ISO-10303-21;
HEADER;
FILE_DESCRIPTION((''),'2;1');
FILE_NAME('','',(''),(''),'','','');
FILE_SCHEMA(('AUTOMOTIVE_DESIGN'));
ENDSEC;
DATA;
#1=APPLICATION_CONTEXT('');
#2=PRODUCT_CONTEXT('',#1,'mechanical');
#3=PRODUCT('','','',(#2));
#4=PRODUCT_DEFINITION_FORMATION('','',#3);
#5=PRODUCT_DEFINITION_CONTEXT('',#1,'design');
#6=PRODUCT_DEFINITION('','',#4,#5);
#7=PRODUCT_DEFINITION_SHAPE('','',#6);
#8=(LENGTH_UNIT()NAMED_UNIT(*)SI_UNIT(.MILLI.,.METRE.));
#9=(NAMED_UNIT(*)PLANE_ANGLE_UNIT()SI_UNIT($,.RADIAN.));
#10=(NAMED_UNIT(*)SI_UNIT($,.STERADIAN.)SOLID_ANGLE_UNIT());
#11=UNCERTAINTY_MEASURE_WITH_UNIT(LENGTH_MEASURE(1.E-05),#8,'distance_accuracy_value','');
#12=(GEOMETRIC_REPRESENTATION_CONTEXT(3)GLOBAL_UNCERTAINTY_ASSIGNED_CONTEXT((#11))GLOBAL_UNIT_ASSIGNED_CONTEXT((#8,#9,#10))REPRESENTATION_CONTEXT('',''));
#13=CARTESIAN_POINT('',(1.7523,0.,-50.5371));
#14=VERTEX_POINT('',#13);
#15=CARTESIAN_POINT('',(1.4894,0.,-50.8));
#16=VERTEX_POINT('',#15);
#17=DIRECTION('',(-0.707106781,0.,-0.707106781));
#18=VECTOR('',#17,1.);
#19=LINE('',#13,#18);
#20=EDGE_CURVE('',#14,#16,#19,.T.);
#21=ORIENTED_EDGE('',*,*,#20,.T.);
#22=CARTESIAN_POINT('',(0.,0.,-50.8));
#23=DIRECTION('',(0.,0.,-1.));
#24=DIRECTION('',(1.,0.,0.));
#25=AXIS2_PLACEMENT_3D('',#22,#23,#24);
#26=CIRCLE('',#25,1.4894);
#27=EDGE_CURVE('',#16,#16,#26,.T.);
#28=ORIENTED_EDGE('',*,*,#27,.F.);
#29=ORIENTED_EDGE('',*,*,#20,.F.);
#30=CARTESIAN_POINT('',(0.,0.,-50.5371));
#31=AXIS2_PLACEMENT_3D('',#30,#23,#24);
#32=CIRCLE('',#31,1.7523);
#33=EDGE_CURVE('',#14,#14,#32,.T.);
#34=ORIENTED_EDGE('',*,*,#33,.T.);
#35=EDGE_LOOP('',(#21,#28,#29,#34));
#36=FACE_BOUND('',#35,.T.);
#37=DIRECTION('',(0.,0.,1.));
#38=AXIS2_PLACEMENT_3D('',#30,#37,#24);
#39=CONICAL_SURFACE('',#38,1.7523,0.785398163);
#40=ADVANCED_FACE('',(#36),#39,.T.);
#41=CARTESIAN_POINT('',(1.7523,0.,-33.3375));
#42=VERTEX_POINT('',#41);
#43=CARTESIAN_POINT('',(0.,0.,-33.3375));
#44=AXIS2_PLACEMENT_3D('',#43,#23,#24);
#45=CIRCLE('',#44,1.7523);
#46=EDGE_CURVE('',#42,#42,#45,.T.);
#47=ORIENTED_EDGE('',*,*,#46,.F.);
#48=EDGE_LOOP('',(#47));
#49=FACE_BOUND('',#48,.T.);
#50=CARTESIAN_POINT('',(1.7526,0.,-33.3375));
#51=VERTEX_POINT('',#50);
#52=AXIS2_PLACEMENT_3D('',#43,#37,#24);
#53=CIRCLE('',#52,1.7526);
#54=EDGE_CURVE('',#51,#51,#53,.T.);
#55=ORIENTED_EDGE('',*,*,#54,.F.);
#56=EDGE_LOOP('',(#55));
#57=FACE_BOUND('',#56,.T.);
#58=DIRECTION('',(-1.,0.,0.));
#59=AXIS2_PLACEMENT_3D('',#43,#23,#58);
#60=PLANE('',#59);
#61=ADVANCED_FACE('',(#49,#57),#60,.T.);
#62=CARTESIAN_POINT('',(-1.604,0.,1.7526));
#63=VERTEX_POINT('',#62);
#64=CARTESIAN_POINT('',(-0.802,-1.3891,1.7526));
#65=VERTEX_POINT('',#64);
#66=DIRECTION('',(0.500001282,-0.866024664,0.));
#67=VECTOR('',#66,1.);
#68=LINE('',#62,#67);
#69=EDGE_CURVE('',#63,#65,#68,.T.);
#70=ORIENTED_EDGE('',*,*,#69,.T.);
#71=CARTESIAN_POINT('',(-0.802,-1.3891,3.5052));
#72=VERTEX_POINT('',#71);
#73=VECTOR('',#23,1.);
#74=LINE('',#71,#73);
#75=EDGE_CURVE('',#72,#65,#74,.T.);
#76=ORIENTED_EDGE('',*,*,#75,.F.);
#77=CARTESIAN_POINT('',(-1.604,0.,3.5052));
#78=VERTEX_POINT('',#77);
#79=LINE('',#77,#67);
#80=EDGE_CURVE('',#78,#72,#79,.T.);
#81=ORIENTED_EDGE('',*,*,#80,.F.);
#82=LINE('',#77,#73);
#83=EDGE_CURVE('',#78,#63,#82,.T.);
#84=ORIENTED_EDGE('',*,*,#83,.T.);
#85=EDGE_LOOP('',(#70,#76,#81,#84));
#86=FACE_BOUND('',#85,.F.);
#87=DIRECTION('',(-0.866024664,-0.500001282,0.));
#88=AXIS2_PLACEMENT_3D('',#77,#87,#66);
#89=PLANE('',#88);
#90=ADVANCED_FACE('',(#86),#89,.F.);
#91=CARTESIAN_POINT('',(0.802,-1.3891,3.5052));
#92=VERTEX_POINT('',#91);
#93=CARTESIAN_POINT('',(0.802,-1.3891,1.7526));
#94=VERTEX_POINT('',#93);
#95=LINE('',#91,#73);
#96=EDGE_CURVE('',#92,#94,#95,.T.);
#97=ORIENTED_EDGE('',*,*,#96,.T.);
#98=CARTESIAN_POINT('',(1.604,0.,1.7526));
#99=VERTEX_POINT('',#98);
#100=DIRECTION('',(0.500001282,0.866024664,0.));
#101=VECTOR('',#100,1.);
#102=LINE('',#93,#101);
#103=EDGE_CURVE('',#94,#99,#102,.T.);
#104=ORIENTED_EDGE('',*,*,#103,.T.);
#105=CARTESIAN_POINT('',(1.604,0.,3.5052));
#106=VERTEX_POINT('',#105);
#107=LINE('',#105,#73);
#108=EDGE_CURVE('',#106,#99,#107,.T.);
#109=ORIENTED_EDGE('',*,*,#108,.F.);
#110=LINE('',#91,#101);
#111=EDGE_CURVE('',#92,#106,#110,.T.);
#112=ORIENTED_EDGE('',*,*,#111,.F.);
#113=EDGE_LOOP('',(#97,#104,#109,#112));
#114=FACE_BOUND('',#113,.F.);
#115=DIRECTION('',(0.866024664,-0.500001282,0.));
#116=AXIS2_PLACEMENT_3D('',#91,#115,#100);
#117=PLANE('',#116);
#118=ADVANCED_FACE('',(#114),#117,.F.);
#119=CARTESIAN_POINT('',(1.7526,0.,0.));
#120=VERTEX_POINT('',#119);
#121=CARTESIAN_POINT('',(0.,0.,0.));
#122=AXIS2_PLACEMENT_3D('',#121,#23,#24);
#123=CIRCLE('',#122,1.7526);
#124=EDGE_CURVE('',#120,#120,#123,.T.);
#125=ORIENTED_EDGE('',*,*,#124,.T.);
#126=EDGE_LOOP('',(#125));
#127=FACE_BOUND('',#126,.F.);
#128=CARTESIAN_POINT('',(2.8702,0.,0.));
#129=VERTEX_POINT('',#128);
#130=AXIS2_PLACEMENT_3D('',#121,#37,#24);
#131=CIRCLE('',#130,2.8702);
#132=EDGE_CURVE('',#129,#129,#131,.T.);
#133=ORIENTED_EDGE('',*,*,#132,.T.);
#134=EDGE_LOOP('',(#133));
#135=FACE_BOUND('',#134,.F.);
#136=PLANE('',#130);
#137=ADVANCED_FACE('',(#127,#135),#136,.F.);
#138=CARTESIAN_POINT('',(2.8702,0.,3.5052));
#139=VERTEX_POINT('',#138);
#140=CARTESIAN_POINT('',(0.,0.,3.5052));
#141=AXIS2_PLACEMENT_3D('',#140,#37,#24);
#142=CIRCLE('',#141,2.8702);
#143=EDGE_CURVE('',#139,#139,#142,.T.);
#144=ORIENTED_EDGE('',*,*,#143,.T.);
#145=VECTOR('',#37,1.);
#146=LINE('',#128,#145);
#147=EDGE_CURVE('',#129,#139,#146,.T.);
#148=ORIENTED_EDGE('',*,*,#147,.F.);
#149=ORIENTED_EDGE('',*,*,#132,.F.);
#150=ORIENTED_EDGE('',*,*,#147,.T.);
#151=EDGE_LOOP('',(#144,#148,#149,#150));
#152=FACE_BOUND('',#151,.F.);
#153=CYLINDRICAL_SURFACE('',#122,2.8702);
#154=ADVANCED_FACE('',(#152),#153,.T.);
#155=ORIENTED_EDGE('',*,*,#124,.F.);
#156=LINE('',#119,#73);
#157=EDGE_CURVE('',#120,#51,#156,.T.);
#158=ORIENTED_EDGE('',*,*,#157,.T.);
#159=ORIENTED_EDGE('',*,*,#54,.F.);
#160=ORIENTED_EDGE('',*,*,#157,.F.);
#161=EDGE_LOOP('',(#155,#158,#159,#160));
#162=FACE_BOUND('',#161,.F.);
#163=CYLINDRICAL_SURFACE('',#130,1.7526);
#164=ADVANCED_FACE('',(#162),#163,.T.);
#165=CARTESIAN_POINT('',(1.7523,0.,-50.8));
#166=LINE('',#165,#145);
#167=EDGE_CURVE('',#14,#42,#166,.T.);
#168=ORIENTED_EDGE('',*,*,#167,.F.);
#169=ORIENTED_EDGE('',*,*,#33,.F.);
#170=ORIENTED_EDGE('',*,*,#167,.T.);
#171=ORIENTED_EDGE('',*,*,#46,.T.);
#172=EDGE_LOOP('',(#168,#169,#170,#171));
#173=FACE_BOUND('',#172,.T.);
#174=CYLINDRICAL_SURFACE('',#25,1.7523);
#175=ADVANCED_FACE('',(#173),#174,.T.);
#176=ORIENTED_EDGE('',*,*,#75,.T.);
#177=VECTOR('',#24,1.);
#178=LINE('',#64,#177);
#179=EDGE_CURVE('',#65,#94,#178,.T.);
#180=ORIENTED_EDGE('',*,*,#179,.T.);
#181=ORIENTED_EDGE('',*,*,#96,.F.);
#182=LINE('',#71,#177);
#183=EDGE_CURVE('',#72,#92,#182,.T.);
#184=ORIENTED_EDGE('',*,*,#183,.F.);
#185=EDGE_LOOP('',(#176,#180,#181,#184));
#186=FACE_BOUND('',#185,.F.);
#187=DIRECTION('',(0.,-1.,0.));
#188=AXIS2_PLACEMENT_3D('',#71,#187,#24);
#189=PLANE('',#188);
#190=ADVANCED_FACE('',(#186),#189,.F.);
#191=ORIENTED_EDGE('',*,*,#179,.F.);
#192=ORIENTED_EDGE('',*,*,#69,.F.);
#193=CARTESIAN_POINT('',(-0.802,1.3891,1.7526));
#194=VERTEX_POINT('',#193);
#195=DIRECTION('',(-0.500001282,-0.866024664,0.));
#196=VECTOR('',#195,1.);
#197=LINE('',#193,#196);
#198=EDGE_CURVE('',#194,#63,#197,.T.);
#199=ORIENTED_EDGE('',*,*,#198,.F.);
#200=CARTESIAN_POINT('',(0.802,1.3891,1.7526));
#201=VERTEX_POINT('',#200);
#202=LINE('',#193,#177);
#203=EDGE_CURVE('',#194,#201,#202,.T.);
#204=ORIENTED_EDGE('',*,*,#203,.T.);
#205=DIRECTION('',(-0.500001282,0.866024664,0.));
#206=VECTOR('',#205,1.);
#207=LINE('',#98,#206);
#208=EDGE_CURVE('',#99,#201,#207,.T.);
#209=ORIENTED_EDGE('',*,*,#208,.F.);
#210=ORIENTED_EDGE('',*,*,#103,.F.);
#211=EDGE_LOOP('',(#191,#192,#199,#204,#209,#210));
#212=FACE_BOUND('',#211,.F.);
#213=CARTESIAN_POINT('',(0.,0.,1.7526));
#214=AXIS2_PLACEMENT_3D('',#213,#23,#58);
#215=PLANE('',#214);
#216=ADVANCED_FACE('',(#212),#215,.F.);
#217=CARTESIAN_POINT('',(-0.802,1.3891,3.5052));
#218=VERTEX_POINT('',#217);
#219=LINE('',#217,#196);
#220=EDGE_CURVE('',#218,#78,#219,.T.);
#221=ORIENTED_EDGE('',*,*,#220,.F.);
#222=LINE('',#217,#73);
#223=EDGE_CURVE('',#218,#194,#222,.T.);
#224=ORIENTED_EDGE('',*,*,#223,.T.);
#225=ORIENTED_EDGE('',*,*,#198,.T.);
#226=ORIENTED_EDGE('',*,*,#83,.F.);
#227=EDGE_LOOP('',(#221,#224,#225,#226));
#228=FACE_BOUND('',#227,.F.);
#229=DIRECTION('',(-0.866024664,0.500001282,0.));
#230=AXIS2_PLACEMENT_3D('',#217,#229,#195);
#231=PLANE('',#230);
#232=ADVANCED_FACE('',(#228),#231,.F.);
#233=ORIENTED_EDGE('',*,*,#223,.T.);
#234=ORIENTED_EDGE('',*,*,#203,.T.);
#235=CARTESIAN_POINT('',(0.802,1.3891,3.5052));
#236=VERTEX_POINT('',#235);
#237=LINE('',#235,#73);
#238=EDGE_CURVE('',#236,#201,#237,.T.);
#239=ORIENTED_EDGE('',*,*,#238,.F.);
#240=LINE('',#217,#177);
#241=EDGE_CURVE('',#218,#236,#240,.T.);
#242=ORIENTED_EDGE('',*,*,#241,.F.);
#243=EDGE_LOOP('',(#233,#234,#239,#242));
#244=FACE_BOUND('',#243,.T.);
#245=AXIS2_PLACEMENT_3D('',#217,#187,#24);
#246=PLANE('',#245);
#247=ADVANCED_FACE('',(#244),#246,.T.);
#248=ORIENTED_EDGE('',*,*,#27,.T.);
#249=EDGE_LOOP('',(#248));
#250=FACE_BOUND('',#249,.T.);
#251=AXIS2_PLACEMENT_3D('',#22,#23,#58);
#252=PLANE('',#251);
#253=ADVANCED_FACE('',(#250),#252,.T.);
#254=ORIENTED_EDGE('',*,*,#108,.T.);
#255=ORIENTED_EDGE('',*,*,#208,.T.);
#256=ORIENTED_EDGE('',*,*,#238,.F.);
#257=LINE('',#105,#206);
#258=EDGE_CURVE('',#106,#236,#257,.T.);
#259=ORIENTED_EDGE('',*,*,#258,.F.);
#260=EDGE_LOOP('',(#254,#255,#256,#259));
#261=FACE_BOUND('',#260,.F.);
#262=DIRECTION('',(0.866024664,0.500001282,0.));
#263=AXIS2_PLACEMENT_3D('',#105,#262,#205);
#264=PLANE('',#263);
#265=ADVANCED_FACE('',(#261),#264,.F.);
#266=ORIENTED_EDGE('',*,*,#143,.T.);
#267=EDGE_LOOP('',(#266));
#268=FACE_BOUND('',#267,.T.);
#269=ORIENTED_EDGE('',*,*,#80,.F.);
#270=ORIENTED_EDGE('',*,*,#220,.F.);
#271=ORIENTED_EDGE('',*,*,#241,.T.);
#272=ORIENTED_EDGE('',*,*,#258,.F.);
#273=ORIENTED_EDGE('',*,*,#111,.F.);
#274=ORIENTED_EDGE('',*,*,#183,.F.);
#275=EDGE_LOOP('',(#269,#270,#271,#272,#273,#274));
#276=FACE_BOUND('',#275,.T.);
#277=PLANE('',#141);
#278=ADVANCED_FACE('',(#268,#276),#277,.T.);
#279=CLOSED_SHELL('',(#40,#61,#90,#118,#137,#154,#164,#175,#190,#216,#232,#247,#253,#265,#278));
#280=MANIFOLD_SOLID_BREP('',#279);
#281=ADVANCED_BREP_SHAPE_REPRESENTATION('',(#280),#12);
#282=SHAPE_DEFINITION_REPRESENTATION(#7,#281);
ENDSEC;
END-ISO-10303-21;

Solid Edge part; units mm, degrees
sketch "Sketch1" plane through (0, 0, 0) normal (0, 0, 1) x (1, 0, 0)
  circle A0 centre (0, 0) radius 2.8702
  dimension "D1" = 5.7404
extrude "Protrusion1" add sketch "Sketch1" along normal blind 3.5052
sketch "Sketch2" plane through (0, 0, 0) normal (0, 0, -1) x (1, 0, 0)
  circle A0 centre (0, 0) radius 1.7526
extrude "Protrusion2" add sketch "Sketch2" along normal blind 50.8
sketch "Sketch3" plane through (0, 0, -50.8) normal (0, 0, -1) x (1, 0, 0)
  circle A0 centre (0, 0) radius 1.7523
extrude "Cutout1" cut sketch "Sketch3" against normal blind 17.4625 flip side to cut
chamfer "Chamfer_1" distance 0.2629 angle 45 1 edges at (-1.7523, 0, -50.8)
sketch "Sketch4" plane through (0, 0, 3.5052) normal (0, 0, 1) x (1, 0, 0)
  line L0 (-0.802, 1.3891) -> (0.802, 1.3891)
  line L1 (1.604, 0) -> (0.802, 1.3891)
  line L2 (0.802, -1.3891) -> (1.604, 0)
  line L3 (-0.802, -1.3891) -> (0.802, -1.3891)
  line L4 (-1.604, 0) -> (-0.802, -1.3891)
  line L5 (-0.802, 1.3891) -> (-1.604, 0)
  dimension "D1" = 2.7781
extrude "Cutout2" cut sketch "Sketch4" against normal blind 1.7526
properties part number "185674"
